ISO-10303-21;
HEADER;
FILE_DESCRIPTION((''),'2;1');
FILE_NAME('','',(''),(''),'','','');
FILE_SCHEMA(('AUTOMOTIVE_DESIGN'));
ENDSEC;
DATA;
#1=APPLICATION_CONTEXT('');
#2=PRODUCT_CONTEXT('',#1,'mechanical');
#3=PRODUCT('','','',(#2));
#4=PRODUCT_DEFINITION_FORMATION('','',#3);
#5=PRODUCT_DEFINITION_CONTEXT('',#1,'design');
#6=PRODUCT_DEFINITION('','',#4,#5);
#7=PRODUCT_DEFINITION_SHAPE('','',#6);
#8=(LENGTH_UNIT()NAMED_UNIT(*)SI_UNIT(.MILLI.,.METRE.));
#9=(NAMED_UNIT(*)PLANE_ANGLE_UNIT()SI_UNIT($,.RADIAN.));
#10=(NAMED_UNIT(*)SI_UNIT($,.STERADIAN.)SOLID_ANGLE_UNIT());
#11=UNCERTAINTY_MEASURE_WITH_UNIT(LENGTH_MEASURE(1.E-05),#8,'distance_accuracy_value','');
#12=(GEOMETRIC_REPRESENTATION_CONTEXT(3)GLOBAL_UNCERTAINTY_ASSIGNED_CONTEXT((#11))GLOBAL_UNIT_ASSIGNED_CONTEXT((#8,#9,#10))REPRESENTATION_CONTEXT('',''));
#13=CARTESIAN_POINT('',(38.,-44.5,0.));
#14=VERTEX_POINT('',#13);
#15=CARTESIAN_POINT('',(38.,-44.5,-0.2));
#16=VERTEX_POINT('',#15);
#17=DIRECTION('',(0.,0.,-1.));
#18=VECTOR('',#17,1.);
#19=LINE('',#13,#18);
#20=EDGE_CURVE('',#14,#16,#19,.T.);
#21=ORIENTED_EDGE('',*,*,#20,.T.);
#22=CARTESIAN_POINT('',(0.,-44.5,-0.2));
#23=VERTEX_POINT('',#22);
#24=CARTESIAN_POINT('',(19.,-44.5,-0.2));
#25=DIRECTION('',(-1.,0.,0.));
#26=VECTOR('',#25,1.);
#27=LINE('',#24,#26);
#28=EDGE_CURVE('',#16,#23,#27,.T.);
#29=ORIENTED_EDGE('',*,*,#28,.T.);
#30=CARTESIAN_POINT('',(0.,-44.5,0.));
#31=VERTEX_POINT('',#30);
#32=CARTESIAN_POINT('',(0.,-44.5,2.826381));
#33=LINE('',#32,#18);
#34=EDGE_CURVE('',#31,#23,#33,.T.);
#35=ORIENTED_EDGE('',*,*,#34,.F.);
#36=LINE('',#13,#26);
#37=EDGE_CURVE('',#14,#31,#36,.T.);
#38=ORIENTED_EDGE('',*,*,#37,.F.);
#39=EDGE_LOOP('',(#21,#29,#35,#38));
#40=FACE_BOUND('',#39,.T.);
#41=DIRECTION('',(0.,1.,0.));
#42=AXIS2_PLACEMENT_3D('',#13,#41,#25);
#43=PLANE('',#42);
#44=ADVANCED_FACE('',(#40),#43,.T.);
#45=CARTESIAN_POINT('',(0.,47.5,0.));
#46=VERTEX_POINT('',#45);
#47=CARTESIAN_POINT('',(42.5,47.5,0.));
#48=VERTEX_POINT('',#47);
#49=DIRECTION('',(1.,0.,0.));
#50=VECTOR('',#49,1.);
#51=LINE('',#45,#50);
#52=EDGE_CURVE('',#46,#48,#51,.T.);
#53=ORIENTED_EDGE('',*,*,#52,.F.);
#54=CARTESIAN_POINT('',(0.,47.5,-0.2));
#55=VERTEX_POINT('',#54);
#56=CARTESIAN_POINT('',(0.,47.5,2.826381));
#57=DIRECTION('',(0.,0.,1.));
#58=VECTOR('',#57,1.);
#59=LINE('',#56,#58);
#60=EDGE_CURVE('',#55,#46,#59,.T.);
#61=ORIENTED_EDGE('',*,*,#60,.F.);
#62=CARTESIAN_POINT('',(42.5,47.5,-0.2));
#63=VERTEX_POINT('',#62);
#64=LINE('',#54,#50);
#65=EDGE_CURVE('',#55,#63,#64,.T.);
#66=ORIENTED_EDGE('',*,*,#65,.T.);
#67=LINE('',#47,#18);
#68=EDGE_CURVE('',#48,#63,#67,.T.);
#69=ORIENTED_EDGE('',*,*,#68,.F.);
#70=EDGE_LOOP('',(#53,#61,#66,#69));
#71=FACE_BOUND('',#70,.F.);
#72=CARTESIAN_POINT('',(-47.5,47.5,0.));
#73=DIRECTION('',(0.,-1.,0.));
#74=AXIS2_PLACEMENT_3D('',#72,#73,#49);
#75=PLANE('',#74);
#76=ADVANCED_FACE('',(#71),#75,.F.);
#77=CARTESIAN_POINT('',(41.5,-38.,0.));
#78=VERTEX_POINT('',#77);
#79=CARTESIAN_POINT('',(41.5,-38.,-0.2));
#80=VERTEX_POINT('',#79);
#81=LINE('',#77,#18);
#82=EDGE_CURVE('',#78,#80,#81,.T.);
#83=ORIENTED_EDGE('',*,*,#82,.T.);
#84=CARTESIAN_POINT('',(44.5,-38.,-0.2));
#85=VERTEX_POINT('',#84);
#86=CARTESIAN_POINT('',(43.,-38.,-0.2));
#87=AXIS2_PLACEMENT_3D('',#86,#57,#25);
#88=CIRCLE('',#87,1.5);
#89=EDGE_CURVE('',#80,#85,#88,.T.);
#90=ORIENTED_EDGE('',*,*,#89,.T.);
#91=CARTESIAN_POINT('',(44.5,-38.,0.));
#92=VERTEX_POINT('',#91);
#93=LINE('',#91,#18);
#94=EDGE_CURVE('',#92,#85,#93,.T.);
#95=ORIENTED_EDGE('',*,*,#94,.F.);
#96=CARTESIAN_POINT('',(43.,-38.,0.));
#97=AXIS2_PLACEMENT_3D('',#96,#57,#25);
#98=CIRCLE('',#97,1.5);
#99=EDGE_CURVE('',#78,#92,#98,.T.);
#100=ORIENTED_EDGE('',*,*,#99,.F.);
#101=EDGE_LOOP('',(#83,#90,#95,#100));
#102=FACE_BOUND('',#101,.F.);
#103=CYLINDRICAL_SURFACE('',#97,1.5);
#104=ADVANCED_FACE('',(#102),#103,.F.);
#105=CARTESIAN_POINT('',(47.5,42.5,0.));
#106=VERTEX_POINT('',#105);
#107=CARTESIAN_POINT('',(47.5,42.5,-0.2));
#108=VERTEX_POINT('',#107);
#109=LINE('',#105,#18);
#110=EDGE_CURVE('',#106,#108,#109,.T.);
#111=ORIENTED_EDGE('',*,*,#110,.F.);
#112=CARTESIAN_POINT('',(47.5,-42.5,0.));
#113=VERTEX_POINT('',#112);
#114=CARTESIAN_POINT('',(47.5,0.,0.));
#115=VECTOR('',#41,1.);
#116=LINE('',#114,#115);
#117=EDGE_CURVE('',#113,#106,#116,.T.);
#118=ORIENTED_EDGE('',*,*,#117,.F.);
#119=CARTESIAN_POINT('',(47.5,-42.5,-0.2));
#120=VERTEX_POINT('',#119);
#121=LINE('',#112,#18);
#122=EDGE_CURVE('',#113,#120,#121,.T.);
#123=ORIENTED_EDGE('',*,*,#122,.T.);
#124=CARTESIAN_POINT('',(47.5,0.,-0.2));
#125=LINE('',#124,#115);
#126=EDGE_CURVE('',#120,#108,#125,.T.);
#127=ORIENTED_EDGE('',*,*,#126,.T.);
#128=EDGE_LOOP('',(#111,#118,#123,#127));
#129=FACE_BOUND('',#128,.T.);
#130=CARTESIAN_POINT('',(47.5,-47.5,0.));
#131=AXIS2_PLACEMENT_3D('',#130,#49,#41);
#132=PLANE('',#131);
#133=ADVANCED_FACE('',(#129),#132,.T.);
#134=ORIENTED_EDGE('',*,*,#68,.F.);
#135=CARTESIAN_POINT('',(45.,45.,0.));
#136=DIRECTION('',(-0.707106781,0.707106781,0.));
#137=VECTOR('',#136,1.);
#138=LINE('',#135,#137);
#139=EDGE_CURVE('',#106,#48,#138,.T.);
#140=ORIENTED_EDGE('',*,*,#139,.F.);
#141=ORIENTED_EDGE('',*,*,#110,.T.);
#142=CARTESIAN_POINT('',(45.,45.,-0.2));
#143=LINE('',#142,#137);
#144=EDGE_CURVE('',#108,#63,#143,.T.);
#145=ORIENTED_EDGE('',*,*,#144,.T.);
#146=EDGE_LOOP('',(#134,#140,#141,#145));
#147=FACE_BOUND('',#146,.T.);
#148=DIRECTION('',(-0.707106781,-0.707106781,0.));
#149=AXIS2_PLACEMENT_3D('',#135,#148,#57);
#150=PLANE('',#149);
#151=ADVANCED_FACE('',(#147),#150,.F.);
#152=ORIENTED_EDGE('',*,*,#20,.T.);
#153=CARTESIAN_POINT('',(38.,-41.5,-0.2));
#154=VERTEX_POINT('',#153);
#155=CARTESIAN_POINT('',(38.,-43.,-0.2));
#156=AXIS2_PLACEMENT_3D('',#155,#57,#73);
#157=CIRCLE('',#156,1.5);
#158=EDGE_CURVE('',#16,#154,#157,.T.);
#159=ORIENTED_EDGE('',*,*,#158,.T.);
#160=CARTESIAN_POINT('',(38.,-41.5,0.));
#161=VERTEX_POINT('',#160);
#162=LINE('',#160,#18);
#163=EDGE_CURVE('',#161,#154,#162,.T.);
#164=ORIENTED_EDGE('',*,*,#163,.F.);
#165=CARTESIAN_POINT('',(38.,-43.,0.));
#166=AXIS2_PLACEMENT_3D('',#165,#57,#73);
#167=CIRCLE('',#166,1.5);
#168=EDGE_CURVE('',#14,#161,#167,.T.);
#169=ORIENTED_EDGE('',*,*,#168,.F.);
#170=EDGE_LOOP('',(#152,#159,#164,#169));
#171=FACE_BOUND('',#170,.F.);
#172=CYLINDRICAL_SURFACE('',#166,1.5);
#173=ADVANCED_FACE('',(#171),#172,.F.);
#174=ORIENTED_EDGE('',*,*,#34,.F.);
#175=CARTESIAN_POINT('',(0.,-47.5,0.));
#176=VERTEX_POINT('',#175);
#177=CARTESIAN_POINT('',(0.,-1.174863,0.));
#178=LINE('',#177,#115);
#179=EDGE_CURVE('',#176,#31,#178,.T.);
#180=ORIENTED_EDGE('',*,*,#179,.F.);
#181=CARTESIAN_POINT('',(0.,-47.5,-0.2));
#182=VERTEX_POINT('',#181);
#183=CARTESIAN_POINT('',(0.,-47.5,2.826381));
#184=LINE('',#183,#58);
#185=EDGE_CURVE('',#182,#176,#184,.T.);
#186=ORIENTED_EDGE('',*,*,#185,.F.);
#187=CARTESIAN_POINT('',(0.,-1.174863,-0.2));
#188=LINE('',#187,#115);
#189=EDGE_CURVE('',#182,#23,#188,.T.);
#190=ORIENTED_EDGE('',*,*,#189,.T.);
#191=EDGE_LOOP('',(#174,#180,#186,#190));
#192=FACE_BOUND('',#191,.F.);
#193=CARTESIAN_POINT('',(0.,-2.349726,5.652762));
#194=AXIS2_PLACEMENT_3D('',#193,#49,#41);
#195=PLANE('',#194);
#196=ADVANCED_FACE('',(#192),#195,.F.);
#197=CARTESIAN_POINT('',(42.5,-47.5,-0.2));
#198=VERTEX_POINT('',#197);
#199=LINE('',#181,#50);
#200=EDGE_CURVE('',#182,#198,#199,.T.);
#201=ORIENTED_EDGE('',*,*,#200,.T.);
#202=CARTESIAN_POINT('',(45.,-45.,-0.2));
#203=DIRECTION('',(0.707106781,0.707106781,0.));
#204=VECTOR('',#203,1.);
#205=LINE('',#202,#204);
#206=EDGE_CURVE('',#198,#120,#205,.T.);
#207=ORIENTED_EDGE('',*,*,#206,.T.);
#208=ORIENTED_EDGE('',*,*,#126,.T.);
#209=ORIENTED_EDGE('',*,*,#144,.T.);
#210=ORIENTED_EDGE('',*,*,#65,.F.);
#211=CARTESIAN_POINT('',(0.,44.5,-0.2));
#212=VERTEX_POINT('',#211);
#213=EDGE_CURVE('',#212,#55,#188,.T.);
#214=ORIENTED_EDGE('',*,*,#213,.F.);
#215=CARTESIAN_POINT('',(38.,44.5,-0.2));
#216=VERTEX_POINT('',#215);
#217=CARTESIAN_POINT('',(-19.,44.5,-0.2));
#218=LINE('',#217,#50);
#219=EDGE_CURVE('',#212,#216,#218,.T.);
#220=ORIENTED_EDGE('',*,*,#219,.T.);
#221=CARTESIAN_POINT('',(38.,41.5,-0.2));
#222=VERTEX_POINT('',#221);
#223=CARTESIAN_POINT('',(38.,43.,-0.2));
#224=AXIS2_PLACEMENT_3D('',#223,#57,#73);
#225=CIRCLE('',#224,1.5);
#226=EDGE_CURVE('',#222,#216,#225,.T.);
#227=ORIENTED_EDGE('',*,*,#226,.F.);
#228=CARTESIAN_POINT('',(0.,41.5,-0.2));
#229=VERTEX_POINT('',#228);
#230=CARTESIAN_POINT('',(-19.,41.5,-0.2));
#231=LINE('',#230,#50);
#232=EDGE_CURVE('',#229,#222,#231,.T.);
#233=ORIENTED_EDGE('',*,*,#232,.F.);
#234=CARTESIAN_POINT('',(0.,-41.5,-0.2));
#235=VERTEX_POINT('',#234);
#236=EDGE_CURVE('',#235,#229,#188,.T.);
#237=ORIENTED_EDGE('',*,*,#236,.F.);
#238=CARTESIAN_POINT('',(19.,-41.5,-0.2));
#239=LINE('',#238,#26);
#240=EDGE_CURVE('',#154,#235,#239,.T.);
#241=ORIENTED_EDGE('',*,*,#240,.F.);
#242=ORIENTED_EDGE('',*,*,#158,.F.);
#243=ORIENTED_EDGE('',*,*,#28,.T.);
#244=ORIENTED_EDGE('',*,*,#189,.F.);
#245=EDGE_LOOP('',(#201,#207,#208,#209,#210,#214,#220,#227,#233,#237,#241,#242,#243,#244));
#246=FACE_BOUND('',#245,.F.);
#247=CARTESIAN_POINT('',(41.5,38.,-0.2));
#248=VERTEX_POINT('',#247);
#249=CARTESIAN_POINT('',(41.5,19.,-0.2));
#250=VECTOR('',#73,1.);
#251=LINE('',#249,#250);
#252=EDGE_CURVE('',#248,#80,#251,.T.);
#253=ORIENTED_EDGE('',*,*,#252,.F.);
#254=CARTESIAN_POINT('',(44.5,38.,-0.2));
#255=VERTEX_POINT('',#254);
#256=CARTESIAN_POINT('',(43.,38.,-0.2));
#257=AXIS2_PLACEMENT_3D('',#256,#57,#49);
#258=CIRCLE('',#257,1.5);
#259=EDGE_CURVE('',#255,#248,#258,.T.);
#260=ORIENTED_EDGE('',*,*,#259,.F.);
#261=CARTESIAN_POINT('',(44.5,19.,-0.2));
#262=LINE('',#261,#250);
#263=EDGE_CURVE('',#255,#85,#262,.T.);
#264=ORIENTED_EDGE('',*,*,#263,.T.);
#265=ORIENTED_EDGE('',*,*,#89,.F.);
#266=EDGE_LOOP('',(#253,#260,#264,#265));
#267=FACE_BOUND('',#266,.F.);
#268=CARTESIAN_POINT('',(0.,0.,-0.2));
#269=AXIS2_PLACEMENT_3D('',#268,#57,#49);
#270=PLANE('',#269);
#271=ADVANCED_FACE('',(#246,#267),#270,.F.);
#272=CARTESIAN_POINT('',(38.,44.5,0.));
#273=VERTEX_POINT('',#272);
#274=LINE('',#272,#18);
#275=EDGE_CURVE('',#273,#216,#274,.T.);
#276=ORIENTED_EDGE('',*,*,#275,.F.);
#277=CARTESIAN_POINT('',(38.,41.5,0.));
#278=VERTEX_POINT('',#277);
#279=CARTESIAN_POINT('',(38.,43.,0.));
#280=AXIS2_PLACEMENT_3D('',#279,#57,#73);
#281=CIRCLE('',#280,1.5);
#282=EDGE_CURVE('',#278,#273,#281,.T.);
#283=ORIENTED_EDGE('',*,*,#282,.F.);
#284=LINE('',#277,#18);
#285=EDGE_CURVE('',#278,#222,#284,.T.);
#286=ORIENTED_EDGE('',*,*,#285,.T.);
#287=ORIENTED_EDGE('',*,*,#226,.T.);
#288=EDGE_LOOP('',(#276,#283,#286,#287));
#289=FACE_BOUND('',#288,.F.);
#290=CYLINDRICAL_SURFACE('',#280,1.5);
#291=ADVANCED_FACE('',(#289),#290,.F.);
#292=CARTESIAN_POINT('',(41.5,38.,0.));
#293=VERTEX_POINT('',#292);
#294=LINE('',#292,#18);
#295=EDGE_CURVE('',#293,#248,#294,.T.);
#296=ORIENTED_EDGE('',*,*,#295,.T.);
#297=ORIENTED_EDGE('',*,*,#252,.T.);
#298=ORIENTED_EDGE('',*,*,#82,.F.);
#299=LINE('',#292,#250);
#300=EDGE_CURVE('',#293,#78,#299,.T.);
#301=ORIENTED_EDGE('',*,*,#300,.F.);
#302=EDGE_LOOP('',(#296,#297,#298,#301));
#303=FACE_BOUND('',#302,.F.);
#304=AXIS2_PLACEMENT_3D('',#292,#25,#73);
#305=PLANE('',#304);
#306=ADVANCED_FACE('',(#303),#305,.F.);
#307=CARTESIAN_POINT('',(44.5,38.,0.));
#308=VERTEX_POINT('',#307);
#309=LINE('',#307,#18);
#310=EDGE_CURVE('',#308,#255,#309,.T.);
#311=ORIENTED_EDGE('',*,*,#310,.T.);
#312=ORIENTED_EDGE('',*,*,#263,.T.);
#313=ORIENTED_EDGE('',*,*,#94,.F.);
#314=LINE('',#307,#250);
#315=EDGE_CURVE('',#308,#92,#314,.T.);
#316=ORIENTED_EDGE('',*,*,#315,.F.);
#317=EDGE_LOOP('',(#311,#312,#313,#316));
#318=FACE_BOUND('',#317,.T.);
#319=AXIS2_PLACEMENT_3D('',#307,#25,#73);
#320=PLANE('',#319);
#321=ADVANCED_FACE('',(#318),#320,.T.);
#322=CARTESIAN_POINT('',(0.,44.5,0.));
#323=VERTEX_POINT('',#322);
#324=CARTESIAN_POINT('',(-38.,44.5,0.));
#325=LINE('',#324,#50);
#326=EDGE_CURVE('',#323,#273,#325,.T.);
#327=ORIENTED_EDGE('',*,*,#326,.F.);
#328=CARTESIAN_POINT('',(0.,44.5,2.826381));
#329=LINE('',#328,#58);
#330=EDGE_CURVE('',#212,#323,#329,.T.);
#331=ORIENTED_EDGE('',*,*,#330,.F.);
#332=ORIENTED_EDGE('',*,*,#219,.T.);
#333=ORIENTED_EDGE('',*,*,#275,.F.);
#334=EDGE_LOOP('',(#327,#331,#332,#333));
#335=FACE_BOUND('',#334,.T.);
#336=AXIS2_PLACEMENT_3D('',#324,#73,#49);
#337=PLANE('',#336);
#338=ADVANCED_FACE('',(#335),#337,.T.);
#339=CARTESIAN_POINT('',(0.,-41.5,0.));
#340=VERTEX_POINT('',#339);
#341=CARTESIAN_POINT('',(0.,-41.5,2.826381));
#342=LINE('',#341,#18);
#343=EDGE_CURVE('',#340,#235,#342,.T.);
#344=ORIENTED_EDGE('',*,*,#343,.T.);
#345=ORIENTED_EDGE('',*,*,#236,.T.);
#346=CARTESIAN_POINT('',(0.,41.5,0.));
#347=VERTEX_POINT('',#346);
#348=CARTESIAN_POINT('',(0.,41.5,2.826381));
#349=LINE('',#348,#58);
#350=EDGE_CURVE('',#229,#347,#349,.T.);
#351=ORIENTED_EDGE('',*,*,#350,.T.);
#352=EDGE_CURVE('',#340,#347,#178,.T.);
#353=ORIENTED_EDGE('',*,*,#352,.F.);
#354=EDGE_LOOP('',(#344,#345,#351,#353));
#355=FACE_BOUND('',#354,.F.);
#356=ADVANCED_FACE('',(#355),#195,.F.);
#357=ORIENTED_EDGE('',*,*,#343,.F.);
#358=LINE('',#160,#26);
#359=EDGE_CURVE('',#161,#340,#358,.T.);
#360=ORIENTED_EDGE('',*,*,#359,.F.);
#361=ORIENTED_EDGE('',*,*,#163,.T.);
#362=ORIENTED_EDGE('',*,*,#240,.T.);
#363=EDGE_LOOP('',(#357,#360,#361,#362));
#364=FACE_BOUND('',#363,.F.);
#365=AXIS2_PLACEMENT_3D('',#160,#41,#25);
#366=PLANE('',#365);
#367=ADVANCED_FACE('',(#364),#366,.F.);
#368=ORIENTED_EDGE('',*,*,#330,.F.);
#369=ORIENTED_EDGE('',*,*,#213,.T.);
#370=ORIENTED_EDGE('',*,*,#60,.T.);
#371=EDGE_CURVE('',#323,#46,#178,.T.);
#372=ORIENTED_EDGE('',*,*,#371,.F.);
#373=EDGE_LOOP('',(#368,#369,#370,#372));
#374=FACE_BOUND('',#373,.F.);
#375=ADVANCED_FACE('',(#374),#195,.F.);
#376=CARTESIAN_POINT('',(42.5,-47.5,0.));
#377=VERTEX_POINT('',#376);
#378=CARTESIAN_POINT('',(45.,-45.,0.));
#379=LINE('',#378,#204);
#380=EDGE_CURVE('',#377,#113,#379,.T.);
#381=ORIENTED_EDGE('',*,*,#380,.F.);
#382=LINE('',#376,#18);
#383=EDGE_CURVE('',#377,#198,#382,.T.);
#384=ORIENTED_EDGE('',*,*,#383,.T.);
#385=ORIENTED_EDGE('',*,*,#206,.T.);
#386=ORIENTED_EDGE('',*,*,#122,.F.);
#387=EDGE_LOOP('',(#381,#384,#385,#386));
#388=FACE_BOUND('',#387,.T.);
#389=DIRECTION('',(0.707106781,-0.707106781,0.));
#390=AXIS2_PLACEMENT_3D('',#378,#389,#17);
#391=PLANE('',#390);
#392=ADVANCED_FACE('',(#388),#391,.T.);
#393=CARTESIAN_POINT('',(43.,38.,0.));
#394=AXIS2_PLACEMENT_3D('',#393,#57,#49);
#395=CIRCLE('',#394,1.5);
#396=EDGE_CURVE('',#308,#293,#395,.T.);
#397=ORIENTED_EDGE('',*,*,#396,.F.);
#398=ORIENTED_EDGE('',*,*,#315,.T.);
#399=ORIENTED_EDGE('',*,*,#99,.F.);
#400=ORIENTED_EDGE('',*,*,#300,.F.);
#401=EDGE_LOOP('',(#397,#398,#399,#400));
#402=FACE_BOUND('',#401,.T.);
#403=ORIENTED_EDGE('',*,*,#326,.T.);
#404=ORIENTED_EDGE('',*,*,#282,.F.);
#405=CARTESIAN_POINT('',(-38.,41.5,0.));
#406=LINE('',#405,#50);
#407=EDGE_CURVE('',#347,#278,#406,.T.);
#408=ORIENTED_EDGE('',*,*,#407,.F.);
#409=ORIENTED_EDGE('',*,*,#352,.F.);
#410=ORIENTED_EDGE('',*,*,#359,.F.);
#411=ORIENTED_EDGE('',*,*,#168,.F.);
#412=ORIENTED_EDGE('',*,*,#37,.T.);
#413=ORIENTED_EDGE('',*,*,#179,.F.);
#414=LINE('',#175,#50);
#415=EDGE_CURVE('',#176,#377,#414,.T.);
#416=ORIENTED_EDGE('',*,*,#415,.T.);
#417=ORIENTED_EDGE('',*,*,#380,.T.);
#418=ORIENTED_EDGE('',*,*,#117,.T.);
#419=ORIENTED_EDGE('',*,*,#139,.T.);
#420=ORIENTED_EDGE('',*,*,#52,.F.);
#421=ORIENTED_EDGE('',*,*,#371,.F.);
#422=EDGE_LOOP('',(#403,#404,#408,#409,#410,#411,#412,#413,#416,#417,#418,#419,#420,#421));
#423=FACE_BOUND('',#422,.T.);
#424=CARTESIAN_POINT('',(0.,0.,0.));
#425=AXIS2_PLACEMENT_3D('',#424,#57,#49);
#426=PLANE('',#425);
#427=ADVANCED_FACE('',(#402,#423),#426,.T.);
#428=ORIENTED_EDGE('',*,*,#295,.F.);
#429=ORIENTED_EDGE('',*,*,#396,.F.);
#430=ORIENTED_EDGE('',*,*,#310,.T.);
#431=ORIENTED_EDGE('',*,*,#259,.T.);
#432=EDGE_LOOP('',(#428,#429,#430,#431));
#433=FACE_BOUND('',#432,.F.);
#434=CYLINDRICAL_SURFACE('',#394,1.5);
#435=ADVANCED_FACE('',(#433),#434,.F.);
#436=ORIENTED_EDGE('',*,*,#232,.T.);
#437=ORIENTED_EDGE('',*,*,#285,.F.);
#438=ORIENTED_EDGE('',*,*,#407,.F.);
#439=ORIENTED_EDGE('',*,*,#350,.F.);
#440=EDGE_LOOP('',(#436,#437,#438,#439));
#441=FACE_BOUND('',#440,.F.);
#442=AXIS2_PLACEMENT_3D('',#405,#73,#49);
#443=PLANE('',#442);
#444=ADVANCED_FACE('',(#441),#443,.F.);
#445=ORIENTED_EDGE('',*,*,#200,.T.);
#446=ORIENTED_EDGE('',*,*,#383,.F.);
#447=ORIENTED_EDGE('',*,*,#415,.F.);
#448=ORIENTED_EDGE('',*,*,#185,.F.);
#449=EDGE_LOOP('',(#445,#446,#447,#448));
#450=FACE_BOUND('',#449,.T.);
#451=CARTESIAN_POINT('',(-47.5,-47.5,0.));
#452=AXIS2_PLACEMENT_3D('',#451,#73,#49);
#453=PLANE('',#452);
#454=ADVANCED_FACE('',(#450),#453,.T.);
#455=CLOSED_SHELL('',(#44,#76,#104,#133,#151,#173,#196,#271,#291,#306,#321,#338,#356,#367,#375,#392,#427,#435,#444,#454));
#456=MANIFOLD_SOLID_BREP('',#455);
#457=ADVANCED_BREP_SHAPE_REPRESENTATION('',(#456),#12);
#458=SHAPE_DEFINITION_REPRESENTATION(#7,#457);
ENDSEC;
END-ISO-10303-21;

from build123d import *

# Parameters (mm, degrees)
SKETCH001_W        = 95
SKETCH001_H        = 95
PAD001_DEPTH       = 0.2
CHAMFER_SIZE       = 5
POCKET_DEPTH       = 5
POLARPATTERN_COUNT = 4
SKETCH007_W        = 129.60696
SKETCH007_H        = 24.349444
POCKET003_DEPTH    = 47.501


with BuildPart() as part:
    # Sketch001 → Pad001 (new body)
    with BuildSketch(Plane.XY):
        Rectangle(SKETCH001_W, SKETCH001_H)
    extrude(amount=-PAD001_DEPTH)

    # Chamfer
    chamfer_edges = [part.edges().sort_by_distance(p)[0] for p in [
        (-47.5, 47.5, -0.1),
        (47.5, 47.5, -0.1),
        (-47.5, -47.5, -0.1),
        (47.5, -47.5, -0.1),
    ]]
    chamfer(chamfer_edges, length=CHAMFER_SIZE)

    # Sketch003 (on Face2 of Chamfer) → Pocket (cut)
    with BuildSketch(Plane.XY):
        with BuildLine():
            ThreePointArc((-38, 44.5), (-39.5, 43), (-38, 41.5))
            Line((-38, 41.5), (38, 41.5))
            ThreePointArc((38, 41.5), (39.5, 43), (38, 44.5))
            Line((-38, 44.5), (38, 44.5))
        make_face()
    pocket = extrude(amount=-POCKET_DEPTH, mode=Mode.SUBTRACT)

    # PolarPattern: Pocket ×4 about axis
    polarpattern_axis = Axis((0, 0, 0), (0, 0, 1))
    for i in range(1, POLARPATTERN_COUNT):
        add(pocket.rotate(polarpattern_axis, i * 360 / POLARPATTERN_COUNT), mode=Mode.SUBTRACT)

    # Sketch007 → Pocket003 (cut, through all)
    with BuildSketch(Plane.YZ):
        with Locations((-2.349726, 5.652762)):
            Rectangle(SKETCH007_W, SKETCH007_H)
    extrude(amount=-POCKET003_DEPTH, mode=Mode.SUBTRACT)


solid = part.part
